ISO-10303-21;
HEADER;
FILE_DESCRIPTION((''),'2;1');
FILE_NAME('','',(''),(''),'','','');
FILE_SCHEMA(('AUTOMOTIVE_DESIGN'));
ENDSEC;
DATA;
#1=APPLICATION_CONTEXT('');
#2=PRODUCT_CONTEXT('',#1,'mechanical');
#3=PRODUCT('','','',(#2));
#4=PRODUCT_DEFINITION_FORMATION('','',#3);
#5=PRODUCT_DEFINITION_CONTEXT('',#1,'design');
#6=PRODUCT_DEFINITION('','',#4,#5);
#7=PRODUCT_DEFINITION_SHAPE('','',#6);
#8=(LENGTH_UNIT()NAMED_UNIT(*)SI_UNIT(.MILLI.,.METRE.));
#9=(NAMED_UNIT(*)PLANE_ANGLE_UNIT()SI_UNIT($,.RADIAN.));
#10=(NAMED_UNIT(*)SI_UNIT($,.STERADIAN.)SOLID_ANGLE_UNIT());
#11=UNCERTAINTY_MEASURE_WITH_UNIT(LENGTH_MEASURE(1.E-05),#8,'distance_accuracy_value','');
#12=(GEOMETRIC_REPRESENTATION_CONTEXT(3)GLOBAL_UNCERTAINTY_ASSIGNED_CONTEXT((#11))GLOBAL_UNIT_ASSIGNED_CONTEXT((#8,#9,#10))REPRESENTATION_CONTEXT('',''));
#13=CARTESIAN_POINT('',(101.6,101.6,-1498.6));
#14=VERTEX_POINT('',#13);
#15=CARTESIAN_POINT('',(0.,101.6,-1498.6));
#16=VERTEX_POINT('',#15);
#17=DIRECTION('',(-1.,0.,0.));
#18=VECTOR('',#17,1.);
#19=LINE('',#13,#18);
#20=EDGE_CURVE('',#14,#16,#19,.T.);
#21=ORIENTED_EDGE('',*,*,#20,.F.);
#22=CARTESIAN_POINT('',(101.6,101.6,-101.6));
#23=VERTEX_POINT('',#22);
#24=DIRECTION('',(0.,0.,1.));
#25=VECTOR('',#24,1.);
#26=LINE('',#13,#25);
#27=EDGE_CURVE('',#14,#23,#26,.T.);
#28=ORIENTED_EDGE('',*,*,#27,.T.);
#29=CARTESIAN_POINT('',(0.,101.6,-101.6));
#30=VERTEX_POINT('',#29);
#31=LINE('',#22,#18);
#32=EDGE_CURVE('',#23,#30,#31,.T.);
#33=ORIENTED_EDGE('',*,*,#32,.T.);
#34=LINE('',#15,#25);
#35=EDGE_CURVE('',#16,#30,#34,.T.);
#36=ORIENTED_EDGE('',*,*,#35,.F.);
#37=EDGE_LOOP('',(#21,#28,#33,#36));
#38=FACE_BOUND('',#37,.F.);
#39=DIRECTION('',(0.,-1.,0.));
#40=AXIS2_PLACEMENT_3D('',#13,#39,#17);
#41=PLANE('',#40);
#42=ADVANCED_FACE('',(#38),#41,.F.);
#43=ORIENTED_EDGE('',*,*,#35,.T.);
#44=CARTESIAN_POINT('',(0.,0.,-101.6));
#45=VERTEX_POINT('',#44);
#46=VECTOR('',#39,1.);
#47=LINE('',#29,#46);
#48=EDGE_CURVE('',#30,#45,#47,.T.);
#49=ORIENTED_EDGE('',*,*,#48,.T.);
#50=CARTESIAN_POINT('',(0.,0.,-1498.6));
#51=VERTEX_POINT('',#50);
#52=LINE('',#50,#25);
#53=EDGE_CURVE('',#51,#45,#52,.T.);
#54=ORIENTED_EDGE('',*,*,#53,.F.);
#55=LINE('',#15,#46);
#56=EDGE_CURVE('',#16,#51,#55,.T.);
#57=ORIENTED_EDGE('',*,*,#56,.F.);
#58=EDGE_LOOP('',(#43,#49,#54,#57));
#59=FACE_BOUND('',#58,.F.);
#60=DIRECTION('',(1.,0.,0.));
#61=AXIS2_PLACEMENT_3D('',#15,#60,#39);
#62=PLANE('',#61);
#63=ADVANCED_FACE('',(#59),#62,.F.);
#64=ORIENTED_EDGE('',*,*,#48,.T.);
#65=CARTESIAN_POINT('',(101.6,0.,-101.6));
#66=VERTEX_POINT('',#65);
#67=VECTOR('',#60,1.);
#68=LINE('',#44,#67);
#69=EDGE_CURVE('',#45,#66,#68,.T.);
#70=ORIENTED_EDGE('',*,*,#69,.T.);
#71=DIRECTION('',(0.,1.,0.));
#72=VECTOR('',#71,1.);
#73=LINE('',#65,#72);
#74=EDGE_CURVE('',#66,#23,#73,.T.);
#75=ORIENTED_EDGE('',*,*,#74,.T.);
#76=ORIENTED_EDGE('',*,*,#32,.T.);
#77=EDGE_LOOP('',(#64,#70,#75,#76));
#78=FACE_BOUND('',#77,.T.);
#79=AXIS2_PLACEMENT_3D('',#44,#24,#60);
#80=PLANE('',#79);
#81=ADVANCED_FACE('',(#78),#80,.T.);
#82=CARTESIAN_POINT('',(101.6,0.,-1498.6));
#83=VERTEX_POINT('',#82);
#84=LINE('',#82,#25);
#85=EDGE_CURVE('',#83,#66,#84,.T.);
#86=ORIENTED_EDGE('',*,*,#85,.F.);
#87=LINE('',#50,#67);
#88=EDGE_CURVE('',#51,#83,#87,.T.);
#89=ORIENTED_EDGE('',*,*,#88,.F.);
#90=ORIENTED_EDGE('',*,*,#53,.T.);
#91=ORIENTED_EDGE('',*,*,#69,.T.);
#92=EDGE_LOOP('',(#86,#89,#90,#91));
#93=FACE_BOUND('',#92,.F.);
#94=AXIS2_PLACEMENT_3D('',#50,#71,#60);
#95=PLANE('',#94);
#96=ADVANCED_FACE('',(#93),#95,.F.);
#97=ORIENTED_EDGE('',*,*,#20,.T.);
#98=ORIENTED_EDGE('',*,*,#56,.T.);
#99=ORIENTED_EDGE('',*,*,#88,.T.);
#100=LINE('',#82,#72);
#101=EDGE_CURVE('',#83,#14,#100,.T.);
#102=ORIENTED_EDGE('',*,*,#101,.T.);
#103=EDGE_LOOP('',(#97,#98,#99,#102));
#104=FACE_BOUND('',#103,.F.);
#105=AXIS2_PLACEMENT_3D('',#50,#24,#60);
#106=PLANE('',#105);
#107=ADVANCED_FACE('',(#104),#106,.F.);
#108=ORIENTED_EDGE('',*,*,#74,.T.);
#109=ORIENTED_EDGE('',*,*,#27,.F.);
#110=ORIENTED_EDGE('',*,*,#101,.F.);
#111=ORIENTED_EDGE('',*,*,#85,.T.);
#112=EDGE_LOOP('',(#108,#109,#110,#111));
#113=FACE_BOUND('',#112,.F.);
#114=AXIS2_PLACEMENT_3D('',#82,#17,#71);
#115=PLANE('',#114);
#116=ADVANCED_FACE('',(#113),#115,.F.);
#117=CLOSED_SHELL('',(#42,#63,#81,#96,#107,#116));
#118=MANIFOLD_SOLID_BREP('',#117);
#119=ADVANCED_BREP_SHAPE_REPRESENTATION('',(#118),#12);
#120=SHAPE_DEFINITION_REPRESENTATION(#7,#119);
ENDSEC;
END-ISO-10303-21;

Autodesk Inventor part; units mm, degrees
ref_plane "YZ Plane" through (0, 0, 0) normal (1, 0, 0) x (0, 1, 0)
ref_plane "XZ Plane" through (0, 0, 0) normal (0, 1, 0) x (-1, 0, 0)
ref_plane "XY Plane" through (0, 0, 0) normal (0, 0, 1) x (1, 0, 0)
ref_plane "Work Plane5" through (0, 0, -1498.6) normal (0, 0, 1) x (1, 0, 0)
sketch "Sketch2" plane through (0, 0, -1498.6) normal (0, 0, 1) x (1, 0, 0)
  line L0 (0, 0) -> (101.6, 0)
  line L1 (101.6, 0) -> (101.6, 101.6)
  line L2 (101.6, 101.6) -> (0, 101.6)
  line L3 (0, 101.6) -> (0, 0)
  dimension "d0" = 101.6
  dimension "d1" = 101.6
extrude "Extrusion1" add sketch "Sketch2" along normal blind 1397
properties part number "4x4x55" material "Wood (Birch)"
